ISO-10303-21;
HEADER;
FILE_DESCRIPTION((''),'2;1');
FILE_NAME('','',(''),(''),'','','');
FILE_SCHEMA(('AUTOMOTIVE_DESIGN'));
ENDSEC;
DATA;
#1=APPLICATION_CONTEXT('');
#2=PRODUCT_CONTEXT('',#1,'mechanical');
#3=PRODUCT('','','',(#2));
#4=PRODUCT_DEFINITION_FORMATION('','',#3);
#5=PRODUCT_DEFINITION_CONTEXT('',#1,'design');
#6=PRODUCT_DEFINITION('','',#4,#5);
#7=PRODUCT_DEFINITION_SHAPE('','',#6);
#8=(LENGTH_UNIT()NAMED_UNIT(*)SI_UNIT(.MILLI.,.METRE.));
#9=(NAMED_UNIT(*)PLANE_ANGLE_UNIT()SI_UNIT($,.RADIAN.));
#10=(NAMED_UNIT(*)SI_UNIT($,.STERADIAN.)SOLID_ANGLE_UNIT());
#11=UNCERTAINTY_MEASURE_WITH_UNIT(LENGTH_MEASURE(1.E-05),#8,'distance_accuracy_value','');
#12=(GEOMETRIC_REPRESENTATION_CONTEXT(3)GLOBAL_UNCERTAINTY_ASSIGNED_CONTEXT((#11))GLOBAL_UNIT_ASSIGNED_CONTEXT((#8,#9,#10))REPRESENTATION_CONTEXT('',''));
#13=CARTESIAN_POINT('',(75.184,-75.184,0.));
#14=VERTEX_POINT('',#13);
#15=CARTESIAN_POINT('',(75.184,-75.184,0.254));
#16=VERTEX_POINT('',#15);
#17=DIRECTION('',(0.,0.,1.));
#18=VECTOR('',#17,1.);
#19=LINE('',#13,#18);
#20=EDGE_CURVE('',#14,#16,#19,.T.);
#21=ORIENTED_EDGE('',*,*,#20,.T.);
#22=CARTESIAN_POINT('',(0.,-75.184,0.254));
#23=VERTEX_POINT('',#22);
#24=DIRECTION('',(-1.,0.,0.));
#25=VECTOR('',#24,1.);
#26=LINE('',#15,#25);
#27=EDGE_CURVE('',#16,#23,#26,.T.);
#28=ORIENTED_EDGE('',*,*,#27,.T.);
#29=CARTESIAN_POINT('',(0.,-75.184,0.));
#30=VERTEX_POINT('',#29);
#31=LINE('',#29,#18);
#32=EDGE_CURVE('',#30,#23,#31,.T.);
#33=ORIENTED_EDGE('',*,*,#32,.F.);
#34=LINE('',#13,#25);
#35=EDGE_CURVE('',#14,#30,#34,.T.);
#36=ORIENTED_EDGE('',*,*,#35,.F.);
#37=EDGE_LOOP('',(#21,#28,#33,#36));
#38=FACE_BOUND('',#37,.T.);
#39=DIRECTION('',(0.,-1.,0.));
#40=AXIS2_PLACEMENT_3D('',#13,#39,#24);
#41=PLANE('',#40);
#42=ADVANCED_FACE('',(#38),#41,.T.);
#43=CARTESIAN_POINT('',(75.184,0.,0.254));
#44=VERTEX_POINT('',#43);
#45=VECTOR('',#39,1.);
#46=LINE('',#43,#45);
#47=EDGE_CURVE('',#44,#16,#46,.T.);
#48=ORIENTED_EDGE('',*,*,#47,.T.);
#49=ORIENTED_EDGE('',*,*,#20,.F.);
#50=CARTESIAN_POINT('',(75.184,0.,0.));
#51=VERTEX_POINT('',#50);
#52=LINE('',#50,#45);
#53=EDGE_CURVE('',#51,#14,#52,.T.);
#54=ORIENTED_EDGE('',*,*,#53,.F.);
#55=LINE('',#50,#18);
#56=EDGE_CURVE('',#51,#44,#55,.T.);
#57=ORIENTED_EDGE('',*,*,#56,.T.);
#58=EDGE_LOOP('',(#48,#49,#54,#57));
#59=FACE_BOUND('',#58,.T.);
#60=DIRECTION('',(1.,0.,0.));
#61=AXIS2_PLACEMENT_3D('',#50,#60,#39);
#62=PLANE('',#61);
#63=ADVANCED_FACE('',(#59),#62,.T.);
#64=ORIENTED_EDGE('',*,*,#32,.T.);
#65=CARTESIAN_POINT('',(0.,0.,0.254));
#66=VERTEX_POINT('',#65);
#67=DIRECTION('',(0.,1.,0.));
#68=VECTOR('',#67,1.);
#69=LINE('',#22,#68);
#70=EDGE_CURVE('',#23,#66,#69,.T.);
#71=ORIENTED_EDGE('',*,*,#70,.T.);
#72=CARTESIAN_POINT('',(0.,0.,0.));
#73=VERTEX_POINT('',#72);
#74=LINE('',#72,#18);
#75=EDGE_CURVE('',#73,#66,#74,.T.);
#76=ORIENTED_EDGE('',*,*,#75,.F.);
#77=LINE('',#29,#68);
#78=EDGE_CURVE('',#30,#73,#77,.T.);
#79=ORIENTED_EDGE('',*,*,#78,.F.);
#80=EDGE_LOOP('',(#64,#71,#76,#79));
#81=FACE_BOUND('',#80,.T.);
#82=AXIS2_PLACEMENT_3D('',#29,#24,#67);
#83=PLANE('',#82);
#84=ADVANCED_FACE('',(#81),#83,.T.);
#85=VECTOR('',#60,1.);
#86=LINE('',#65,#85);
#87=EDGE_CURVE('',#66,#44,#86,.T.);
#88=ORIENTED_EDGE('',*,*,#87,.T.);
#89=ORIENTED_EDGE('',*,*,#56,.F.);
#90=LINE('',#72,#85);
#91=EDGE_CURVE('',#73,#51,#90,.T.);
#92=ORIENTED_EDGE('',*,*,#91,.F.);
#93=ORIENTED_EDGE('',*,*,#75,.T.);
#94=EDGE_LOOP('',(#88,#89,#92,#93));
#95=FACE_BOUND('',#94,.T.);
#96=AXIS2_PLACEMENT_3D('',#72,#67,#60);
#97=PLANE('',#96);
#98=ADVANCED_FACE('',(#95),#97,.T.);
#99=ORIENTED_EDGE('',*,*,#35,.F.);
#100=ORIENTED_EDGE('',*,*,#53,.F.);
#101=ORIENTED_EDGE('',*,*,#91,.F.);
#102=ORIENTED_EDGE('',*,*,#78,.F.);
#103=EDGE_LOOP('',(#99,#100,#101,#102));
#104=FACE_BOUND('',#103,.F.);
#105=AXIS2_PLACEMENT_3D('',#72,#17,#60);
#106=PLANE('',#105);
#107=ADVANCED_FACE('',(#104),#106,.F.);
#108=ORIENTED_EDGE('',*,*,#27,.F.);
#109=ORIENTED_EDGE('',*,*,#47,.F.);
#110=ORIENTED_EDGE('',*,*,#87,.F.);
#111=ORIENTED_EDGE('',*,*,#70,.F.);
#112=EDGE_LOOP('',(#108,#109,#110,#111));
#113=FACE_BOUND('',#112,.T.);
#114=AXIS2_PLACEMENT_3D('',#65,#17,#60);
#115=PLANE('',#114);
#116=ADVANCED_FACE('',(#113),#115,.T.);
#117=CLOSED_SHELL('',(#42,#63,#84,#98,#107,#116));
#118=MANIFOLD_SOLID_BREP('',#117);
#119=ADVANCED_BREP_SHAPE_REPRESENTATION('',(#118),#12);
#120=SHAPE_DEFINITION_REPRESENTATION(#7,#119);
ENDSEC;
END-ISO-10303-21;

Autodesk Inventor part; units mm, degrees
ref_plane "YZ Plane" through (0, 0, 0) normal (1, 0, 0) x (0, 1, 0)
ref_plane "XZ Plane" through (0, 0, 0) normal (0, 1, 0) x (-1, 0, 0)
ref_plane "XY Plane" through (0, 0, 0) normal (0, 0, 1) x (1, 0, 0)
sketch "Sketch1" plane through (0, 0, 0) normal (0, 0, 1) x (1, 0, 0)
  line L0 (0, 0) -> (75.184, 0)
  line L1 (75.184, 0) -> (75.184, -75.184)
  line L2 (75.184, -75.184) -> (0, -75.184)
  line L3 (0, -75.184) -> (0, 0)
  dimension "d5" = 75.184
extrude "Extrusion1" add sketch "Sketch1" along normal blind 0.254
properties part number "Clippard 8-MC 3D PCB Bottom"
